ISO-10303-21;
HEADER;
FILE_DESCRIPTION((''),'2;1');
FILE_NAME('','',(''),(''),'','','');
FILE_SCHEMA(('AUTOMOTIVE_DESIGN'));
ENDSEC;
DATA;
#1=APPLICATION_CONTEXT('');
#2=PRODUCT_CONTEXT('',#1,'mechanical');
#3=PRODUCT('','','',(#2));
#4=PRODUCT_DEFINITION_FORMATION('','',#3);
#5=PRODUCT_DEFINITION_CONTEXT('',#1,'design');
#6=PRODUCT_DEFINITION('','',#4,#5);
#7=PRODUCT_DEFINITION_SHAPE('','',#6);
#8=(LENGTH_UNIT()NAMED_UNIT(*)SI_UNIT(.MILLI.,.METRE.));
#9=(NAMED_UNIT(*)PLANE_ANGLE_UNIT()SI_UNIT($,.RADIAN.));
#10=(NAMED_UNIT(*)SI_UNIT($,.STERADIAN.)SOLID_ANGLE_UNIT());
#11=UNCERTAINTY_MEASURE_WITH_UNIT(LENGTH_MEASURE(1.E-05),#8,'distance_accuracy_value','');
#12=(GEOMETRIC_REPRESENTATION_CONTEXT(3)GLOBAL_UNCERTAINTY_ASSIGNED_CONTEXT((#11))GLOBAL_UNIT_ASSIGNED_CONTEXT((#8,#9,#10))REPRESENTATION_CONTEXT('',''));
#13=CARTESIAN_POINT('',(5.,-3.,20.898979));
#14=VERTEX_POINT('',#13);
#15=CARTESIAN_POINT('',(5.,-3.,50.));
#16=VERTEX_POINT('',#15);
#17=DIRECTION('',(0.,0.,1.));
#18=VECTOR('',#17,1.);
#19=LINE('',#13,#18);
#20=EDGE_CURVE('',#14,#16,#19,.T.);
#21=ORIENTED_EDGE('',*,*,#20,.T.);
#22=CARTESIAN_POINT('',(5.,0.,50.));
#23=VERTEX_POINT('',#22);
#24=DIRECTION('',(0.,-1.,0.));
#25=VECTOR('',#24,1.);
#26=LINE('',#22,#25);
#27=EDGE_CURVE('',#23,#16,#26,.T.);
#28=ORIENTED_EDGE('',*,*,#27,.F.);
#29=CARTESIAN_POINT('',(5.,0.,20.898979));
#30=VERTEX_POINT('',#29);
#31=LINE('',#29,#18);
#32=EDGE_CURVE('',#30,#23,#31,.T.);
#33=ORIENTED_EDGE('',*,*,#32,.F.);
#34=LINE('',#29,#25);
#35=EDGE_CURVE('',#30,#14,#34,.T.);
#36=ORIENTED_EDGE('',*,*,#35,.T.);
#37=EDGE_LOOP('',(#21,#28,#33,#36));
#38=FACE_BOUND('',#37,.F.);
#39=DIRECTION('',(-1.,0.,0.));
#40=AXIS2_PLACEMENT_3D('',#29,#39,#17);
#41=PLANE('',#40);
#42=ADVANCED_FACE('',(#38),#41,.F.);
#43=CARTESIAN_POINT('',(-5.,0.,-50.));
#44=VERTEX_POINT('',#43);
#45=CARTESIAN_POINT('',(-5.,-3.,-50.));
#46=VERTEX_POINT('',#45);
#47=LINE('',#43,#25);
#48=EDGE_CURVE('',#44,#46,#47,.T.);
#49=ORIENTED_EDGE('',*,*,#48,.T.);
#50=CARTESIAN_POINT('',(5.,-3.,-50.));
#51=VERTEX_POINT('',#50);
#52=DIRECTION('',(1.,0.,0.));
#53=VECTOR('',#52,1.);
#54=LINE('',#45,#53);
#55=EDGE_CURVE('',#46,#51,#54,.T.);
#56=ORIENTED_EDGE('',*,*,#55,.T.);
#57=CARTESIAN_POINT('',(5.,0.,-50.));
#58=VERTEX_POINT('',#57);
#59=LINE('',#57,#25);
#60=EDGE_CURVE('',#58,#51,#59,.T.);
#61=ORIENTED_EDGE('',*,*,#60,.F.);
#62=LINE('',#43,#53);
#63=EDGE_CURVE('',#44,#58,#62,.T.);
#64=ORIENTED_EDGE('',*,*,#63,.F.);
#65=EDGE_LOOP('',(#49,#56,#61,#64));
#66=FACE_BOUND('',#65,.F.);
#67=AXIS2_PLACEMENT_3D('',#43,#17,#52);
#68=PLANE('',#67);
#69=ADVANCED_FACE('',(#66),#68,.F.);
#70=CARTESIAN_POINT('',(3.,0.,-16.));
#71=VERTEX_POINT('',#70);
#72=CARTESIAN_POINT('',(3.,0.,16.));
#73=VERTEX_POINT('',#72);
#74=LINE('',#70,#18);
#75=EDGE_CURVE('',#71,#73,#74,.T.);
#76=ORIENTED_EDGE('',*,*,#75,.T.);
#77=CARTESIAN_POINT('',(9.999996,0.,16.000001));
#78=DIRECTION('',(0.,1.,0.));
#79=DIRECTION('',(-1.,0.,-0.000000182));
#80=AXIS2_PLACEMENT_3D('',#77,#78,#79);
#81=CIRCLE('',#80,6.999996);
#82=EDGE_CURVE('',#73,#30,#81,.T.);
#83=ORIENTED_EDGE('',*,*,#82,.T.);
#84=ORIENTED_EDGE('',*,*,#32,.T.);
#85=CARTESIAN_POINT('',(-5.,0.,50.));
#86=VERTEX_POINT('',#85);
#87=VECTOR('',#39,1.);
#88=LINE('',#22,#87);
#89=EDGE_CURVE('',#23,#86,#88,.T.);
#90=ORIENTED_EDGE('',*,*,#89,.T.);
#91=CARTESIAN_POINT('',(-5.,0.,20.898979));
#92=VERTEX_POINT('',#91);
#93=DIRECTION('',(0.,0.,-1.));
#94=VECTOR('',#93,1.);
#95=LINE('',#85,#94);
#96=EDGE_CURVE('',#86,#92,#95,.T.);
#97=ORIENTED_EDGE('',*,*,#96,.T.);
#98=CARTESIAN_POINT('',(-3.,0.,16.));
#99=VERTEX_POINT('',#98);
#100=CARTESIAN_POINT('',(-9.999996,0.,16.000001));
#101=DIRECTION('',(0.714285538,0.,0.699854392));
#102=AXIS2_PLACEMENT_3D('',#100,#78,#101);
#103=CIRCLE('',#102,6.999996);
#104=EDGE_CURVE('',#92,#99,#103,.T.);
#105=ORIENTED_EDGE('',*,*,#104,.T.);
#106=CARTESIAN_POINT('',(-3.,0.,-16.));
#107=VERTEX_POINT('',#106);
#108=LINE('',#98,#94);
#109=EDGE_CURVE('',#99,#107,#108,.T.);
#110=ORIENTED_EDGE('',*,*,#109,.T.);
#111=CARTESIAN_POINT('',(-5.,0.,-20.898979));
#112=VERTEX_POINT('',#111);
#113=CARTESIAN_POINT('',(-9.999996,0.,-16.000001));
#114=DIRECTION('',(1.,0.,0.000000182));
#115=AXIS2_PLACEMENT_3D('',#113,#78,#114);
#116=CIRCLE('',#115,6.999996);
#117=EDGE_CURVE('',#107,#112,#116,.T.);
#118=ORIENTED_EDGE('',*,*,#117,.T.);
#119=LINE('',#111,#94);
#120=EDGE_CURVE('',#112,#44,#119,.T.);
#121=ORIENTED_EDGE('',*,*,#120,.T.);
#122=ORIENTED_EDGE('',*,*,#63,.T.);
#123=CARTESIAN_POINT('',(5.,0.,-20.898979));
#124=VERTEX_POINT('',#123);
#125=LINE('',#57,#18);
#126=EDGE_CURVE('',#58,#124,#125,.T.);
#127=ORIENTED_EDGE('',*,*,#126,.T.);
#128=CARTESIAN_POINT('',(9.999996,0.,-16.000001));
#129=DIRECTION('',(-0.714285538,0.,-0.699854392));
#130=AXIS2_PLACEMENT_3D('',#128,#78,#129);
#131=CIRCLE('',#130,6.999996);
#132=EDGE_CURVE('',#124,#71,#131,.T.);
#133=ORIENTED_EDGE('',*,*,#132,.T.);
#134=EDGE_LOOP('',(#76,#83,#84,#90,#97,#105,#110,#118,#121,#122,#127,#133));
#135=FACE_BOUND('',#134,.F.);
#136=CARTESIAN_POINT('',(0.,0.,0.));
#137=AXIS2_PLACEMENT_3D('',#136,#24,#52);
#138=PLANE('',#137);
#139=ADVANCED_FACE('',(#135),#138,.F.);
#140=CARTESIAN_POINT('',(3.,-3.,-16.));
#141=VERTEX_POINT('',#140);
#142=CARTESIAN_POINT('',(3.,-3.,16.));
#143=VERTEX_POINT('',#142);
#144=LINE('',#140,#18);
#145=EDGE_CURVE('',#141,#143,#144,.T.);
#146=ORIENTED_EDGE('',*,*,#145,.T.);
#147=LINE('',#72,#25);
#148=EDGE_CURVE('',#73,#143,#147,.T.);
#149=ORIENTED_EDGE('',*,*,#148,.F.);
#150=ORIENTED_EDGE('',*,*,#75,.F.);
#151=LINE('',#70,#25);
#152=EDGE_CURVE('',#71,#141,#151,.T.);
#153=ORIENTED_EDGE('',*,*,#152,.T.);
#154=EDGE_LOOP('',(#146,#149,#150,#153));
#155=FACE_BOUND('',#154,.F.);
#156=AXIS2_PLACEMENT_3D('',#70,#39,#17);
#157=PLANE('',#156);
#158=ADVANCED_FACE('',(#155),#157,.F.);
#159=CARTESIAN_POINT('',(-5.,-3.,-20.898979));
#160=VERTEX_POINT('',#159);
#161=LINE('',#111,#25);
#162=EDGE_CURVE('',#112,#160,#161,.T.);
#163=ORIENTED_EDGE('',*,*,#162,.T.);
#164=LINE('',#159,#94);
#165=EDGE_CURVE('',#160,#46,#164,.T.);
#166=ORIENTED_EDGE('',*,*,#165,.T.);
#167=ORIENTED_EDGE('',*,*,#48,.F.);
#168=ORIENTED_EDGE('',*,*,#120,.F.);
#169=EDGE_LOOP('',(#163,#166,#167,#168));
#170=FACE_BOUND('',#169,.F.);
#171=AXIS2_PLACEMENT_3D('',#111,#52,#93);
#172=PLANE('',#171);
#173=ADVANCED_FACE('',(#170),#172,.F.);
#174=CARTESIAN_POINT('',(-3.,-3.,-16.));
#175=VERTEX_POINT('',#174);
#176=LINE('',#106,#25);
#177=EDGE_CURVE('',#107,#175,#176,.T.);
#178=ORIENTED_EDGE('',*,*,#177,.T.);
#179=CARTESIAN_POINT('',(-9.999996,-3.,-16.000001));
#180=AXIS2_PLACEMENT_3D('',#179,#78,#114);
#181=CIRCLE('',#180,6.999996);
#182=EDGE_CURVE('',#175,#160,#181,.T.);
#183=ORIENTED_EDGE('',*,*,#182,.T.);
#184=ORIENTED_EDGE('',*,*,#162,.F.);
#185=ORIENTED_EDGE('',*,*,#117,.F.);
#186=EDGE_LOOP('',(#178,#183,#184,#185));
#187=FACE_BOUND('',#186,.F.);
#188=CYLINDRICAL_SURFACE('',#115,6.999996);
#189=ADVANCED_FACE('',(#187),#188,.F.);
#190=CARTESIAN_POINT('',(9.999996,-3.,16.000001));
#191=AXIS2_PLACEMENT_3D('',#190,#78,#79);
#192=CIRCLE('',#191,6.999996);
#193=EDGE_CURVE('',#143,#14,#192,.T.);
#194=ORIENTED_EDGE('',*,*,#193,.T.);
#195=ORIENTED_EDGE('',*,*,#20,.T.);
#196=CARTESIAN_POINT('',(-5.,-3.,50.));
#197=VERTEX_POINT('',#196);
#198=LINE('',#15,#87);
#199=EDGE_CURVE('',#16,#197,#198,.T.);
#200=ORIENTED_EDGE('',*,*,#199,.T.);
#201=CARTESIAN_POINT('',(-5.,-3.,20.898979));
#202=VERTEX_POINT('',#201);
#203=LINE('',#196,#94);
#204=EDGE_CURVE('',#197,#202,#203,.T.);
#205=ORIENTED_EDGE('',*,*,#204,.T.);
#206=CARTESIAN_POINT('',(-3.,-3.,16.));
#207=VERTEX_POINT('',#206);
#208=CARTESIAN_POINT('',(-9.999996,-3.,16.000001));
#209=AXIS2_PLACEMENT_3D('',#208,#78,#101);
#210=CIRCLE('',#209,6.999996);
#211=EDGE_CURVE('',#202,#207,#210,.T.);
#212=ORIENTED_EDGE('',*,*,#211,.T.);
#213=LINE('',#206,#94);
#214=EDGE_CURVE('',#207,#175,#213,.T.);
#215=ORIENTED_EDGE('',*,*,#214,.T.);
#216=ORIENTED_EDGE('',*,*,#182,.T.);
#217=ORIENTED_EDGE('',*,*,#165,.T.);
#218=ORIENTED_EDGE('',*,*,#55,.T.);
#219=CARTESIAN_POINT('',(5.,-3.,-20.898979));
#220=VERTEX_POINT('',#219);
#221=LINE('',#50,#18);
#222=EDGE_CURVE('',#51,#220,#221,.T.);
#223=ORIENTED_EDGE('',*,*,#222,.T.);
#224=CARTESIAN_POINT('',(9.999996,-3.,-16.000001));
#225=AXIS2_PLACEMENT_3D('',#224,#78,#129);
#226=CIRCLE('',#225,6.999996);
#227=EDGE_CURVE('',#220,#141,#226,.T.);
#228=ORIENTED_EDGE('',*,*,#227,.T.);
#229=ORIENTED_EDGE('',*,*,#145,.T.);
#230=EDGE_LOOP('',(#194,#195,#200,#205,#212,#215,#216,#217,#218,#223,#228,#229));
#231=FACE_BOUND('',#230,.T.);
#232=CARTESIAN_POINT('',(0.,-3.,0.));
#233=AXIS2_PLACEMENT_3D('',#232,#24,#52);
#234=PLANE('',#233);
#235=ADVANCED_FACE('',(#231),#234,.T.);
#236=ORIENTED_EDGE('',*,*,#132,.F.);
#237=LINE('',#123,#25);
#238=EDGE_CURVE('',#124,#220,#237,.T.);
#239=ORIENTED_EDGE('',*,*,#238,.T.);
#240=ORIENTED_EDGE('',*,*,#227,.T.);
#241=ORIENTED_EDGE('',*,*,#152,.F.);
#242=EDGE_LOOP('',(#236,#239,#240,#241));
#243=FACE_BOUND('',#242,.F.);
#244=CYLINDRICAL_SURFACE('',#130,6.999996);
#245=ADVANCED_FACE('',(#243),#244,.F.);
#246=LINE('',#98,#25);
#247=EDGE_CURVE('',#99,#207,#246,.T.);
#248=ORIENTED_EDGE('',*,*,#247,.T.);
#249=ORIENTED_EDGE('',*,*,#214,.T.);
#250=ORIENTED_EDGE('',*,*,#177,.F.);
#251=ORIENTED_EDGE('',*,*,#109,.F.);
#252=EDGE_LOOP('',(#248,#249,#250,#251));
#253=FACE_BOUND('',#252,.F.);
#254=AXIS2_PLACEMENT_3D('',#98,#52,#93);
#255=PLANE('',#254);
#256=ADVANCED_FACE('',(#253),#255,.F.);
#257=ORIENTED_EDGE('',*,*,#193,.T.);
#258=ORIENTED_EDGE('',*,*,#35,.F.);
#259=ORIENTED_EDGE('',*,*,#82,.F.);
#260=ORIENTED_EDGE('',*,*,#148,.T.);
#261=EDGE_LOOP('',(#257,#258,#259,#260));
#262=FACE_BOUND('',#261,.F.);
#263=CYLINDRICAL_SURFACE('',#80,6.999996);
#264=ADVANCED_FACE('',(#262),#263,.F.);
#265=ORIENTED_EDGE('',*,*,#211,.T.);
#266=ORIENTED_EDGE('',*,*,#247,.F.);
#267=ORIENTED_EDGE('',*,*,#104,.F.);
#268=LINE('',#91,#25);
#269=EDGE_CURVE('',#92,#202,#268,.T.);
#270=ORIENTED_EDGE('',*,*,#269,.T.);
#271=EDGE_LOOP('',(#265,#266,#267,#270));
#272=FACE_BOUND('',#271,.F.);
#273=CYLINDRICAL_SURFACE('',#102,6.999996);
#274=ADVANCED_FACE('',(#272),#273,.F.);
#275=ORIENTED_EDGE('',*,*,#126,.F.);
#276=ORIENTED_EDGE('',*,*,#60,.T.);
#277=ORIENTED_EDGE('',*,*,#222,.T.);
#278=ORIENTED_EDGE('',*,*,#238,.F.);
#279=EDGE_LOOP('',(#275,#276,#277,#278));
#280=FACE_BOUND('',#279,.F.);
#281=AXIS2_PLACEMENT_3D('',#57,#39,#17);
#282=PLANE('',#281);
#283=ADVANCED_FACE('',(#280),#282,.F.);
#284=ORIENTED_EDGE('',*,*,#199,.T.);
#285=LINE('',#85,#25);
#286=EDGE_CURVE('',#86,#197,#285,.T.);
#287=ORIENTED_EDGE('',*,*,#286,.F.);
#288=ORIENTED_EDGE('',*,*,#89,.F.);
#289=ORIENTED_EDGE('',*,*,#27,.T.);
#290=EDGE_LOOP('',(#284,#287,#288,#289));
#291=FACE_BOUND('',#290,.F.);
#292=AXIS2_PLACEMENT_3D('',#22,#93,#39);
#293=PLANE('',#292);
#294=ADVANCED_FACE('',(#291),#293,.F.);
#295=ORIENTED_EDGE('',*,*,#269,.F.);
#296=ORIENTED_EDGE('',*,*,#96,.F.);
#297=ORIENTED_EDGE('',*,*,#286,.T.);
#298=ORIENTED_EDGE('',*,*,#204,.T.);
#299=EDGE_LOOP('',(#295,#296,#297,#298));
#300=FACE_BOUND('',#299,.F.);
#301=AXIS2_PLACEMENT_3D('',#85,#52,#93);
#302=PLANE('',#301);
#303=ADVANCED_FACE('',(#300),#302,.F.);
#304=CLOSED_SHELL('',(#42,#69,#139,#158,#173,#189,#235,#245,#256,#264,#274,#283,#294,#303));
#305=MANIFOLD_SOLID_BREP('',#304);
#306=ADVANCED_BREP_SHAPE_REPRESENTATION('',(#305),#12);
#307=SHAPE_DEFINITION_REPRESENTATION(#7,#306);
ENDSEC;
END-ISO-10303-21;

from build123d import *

# Parameters (mm, degrees)
F1_DEPTH = 3


with BuildPart() as f1:
    # F0 (on Front) → F1 (new body)
    with BuildSketch(Plane.XZ):
        with BuildLine():
            Line((3, -16), (3, 0))
            Line((3, 0), (3, 16))
            ThreePointArc((3, 16), (3.519259, 18.645751), (5, 20.898979))
            Line((5, 20.898979), (5, 50))
            Line((5, 50), (0, 50))
            Line((0, 50), (-5, 50))
            Line((-5, 50), (-5, 20.898979))
            ThreePointArc((-5, 20.898979), (-3.519259, 18.645751), (-3, 16))
            Line((-3, 16), (-3, 0))
            Line((-3, 0), (-3, -16))
            ThreePointArc((-3, -16), (-3.519259, -18.645751), (-5, -20.898979))
            Line((-5, -20.898979), (-5, -50))
            Line((-5, -50), (0, -50))
            Line((0, -50), (5, -50))
            Line((5, -50), (5, -20.898979))
            ThreePointArc((5, -20.898979), (3.519259, -18.645751), (3, -16))
        make_face()
    extrude(amount=F1_DEPTH)


solid = f1.part
